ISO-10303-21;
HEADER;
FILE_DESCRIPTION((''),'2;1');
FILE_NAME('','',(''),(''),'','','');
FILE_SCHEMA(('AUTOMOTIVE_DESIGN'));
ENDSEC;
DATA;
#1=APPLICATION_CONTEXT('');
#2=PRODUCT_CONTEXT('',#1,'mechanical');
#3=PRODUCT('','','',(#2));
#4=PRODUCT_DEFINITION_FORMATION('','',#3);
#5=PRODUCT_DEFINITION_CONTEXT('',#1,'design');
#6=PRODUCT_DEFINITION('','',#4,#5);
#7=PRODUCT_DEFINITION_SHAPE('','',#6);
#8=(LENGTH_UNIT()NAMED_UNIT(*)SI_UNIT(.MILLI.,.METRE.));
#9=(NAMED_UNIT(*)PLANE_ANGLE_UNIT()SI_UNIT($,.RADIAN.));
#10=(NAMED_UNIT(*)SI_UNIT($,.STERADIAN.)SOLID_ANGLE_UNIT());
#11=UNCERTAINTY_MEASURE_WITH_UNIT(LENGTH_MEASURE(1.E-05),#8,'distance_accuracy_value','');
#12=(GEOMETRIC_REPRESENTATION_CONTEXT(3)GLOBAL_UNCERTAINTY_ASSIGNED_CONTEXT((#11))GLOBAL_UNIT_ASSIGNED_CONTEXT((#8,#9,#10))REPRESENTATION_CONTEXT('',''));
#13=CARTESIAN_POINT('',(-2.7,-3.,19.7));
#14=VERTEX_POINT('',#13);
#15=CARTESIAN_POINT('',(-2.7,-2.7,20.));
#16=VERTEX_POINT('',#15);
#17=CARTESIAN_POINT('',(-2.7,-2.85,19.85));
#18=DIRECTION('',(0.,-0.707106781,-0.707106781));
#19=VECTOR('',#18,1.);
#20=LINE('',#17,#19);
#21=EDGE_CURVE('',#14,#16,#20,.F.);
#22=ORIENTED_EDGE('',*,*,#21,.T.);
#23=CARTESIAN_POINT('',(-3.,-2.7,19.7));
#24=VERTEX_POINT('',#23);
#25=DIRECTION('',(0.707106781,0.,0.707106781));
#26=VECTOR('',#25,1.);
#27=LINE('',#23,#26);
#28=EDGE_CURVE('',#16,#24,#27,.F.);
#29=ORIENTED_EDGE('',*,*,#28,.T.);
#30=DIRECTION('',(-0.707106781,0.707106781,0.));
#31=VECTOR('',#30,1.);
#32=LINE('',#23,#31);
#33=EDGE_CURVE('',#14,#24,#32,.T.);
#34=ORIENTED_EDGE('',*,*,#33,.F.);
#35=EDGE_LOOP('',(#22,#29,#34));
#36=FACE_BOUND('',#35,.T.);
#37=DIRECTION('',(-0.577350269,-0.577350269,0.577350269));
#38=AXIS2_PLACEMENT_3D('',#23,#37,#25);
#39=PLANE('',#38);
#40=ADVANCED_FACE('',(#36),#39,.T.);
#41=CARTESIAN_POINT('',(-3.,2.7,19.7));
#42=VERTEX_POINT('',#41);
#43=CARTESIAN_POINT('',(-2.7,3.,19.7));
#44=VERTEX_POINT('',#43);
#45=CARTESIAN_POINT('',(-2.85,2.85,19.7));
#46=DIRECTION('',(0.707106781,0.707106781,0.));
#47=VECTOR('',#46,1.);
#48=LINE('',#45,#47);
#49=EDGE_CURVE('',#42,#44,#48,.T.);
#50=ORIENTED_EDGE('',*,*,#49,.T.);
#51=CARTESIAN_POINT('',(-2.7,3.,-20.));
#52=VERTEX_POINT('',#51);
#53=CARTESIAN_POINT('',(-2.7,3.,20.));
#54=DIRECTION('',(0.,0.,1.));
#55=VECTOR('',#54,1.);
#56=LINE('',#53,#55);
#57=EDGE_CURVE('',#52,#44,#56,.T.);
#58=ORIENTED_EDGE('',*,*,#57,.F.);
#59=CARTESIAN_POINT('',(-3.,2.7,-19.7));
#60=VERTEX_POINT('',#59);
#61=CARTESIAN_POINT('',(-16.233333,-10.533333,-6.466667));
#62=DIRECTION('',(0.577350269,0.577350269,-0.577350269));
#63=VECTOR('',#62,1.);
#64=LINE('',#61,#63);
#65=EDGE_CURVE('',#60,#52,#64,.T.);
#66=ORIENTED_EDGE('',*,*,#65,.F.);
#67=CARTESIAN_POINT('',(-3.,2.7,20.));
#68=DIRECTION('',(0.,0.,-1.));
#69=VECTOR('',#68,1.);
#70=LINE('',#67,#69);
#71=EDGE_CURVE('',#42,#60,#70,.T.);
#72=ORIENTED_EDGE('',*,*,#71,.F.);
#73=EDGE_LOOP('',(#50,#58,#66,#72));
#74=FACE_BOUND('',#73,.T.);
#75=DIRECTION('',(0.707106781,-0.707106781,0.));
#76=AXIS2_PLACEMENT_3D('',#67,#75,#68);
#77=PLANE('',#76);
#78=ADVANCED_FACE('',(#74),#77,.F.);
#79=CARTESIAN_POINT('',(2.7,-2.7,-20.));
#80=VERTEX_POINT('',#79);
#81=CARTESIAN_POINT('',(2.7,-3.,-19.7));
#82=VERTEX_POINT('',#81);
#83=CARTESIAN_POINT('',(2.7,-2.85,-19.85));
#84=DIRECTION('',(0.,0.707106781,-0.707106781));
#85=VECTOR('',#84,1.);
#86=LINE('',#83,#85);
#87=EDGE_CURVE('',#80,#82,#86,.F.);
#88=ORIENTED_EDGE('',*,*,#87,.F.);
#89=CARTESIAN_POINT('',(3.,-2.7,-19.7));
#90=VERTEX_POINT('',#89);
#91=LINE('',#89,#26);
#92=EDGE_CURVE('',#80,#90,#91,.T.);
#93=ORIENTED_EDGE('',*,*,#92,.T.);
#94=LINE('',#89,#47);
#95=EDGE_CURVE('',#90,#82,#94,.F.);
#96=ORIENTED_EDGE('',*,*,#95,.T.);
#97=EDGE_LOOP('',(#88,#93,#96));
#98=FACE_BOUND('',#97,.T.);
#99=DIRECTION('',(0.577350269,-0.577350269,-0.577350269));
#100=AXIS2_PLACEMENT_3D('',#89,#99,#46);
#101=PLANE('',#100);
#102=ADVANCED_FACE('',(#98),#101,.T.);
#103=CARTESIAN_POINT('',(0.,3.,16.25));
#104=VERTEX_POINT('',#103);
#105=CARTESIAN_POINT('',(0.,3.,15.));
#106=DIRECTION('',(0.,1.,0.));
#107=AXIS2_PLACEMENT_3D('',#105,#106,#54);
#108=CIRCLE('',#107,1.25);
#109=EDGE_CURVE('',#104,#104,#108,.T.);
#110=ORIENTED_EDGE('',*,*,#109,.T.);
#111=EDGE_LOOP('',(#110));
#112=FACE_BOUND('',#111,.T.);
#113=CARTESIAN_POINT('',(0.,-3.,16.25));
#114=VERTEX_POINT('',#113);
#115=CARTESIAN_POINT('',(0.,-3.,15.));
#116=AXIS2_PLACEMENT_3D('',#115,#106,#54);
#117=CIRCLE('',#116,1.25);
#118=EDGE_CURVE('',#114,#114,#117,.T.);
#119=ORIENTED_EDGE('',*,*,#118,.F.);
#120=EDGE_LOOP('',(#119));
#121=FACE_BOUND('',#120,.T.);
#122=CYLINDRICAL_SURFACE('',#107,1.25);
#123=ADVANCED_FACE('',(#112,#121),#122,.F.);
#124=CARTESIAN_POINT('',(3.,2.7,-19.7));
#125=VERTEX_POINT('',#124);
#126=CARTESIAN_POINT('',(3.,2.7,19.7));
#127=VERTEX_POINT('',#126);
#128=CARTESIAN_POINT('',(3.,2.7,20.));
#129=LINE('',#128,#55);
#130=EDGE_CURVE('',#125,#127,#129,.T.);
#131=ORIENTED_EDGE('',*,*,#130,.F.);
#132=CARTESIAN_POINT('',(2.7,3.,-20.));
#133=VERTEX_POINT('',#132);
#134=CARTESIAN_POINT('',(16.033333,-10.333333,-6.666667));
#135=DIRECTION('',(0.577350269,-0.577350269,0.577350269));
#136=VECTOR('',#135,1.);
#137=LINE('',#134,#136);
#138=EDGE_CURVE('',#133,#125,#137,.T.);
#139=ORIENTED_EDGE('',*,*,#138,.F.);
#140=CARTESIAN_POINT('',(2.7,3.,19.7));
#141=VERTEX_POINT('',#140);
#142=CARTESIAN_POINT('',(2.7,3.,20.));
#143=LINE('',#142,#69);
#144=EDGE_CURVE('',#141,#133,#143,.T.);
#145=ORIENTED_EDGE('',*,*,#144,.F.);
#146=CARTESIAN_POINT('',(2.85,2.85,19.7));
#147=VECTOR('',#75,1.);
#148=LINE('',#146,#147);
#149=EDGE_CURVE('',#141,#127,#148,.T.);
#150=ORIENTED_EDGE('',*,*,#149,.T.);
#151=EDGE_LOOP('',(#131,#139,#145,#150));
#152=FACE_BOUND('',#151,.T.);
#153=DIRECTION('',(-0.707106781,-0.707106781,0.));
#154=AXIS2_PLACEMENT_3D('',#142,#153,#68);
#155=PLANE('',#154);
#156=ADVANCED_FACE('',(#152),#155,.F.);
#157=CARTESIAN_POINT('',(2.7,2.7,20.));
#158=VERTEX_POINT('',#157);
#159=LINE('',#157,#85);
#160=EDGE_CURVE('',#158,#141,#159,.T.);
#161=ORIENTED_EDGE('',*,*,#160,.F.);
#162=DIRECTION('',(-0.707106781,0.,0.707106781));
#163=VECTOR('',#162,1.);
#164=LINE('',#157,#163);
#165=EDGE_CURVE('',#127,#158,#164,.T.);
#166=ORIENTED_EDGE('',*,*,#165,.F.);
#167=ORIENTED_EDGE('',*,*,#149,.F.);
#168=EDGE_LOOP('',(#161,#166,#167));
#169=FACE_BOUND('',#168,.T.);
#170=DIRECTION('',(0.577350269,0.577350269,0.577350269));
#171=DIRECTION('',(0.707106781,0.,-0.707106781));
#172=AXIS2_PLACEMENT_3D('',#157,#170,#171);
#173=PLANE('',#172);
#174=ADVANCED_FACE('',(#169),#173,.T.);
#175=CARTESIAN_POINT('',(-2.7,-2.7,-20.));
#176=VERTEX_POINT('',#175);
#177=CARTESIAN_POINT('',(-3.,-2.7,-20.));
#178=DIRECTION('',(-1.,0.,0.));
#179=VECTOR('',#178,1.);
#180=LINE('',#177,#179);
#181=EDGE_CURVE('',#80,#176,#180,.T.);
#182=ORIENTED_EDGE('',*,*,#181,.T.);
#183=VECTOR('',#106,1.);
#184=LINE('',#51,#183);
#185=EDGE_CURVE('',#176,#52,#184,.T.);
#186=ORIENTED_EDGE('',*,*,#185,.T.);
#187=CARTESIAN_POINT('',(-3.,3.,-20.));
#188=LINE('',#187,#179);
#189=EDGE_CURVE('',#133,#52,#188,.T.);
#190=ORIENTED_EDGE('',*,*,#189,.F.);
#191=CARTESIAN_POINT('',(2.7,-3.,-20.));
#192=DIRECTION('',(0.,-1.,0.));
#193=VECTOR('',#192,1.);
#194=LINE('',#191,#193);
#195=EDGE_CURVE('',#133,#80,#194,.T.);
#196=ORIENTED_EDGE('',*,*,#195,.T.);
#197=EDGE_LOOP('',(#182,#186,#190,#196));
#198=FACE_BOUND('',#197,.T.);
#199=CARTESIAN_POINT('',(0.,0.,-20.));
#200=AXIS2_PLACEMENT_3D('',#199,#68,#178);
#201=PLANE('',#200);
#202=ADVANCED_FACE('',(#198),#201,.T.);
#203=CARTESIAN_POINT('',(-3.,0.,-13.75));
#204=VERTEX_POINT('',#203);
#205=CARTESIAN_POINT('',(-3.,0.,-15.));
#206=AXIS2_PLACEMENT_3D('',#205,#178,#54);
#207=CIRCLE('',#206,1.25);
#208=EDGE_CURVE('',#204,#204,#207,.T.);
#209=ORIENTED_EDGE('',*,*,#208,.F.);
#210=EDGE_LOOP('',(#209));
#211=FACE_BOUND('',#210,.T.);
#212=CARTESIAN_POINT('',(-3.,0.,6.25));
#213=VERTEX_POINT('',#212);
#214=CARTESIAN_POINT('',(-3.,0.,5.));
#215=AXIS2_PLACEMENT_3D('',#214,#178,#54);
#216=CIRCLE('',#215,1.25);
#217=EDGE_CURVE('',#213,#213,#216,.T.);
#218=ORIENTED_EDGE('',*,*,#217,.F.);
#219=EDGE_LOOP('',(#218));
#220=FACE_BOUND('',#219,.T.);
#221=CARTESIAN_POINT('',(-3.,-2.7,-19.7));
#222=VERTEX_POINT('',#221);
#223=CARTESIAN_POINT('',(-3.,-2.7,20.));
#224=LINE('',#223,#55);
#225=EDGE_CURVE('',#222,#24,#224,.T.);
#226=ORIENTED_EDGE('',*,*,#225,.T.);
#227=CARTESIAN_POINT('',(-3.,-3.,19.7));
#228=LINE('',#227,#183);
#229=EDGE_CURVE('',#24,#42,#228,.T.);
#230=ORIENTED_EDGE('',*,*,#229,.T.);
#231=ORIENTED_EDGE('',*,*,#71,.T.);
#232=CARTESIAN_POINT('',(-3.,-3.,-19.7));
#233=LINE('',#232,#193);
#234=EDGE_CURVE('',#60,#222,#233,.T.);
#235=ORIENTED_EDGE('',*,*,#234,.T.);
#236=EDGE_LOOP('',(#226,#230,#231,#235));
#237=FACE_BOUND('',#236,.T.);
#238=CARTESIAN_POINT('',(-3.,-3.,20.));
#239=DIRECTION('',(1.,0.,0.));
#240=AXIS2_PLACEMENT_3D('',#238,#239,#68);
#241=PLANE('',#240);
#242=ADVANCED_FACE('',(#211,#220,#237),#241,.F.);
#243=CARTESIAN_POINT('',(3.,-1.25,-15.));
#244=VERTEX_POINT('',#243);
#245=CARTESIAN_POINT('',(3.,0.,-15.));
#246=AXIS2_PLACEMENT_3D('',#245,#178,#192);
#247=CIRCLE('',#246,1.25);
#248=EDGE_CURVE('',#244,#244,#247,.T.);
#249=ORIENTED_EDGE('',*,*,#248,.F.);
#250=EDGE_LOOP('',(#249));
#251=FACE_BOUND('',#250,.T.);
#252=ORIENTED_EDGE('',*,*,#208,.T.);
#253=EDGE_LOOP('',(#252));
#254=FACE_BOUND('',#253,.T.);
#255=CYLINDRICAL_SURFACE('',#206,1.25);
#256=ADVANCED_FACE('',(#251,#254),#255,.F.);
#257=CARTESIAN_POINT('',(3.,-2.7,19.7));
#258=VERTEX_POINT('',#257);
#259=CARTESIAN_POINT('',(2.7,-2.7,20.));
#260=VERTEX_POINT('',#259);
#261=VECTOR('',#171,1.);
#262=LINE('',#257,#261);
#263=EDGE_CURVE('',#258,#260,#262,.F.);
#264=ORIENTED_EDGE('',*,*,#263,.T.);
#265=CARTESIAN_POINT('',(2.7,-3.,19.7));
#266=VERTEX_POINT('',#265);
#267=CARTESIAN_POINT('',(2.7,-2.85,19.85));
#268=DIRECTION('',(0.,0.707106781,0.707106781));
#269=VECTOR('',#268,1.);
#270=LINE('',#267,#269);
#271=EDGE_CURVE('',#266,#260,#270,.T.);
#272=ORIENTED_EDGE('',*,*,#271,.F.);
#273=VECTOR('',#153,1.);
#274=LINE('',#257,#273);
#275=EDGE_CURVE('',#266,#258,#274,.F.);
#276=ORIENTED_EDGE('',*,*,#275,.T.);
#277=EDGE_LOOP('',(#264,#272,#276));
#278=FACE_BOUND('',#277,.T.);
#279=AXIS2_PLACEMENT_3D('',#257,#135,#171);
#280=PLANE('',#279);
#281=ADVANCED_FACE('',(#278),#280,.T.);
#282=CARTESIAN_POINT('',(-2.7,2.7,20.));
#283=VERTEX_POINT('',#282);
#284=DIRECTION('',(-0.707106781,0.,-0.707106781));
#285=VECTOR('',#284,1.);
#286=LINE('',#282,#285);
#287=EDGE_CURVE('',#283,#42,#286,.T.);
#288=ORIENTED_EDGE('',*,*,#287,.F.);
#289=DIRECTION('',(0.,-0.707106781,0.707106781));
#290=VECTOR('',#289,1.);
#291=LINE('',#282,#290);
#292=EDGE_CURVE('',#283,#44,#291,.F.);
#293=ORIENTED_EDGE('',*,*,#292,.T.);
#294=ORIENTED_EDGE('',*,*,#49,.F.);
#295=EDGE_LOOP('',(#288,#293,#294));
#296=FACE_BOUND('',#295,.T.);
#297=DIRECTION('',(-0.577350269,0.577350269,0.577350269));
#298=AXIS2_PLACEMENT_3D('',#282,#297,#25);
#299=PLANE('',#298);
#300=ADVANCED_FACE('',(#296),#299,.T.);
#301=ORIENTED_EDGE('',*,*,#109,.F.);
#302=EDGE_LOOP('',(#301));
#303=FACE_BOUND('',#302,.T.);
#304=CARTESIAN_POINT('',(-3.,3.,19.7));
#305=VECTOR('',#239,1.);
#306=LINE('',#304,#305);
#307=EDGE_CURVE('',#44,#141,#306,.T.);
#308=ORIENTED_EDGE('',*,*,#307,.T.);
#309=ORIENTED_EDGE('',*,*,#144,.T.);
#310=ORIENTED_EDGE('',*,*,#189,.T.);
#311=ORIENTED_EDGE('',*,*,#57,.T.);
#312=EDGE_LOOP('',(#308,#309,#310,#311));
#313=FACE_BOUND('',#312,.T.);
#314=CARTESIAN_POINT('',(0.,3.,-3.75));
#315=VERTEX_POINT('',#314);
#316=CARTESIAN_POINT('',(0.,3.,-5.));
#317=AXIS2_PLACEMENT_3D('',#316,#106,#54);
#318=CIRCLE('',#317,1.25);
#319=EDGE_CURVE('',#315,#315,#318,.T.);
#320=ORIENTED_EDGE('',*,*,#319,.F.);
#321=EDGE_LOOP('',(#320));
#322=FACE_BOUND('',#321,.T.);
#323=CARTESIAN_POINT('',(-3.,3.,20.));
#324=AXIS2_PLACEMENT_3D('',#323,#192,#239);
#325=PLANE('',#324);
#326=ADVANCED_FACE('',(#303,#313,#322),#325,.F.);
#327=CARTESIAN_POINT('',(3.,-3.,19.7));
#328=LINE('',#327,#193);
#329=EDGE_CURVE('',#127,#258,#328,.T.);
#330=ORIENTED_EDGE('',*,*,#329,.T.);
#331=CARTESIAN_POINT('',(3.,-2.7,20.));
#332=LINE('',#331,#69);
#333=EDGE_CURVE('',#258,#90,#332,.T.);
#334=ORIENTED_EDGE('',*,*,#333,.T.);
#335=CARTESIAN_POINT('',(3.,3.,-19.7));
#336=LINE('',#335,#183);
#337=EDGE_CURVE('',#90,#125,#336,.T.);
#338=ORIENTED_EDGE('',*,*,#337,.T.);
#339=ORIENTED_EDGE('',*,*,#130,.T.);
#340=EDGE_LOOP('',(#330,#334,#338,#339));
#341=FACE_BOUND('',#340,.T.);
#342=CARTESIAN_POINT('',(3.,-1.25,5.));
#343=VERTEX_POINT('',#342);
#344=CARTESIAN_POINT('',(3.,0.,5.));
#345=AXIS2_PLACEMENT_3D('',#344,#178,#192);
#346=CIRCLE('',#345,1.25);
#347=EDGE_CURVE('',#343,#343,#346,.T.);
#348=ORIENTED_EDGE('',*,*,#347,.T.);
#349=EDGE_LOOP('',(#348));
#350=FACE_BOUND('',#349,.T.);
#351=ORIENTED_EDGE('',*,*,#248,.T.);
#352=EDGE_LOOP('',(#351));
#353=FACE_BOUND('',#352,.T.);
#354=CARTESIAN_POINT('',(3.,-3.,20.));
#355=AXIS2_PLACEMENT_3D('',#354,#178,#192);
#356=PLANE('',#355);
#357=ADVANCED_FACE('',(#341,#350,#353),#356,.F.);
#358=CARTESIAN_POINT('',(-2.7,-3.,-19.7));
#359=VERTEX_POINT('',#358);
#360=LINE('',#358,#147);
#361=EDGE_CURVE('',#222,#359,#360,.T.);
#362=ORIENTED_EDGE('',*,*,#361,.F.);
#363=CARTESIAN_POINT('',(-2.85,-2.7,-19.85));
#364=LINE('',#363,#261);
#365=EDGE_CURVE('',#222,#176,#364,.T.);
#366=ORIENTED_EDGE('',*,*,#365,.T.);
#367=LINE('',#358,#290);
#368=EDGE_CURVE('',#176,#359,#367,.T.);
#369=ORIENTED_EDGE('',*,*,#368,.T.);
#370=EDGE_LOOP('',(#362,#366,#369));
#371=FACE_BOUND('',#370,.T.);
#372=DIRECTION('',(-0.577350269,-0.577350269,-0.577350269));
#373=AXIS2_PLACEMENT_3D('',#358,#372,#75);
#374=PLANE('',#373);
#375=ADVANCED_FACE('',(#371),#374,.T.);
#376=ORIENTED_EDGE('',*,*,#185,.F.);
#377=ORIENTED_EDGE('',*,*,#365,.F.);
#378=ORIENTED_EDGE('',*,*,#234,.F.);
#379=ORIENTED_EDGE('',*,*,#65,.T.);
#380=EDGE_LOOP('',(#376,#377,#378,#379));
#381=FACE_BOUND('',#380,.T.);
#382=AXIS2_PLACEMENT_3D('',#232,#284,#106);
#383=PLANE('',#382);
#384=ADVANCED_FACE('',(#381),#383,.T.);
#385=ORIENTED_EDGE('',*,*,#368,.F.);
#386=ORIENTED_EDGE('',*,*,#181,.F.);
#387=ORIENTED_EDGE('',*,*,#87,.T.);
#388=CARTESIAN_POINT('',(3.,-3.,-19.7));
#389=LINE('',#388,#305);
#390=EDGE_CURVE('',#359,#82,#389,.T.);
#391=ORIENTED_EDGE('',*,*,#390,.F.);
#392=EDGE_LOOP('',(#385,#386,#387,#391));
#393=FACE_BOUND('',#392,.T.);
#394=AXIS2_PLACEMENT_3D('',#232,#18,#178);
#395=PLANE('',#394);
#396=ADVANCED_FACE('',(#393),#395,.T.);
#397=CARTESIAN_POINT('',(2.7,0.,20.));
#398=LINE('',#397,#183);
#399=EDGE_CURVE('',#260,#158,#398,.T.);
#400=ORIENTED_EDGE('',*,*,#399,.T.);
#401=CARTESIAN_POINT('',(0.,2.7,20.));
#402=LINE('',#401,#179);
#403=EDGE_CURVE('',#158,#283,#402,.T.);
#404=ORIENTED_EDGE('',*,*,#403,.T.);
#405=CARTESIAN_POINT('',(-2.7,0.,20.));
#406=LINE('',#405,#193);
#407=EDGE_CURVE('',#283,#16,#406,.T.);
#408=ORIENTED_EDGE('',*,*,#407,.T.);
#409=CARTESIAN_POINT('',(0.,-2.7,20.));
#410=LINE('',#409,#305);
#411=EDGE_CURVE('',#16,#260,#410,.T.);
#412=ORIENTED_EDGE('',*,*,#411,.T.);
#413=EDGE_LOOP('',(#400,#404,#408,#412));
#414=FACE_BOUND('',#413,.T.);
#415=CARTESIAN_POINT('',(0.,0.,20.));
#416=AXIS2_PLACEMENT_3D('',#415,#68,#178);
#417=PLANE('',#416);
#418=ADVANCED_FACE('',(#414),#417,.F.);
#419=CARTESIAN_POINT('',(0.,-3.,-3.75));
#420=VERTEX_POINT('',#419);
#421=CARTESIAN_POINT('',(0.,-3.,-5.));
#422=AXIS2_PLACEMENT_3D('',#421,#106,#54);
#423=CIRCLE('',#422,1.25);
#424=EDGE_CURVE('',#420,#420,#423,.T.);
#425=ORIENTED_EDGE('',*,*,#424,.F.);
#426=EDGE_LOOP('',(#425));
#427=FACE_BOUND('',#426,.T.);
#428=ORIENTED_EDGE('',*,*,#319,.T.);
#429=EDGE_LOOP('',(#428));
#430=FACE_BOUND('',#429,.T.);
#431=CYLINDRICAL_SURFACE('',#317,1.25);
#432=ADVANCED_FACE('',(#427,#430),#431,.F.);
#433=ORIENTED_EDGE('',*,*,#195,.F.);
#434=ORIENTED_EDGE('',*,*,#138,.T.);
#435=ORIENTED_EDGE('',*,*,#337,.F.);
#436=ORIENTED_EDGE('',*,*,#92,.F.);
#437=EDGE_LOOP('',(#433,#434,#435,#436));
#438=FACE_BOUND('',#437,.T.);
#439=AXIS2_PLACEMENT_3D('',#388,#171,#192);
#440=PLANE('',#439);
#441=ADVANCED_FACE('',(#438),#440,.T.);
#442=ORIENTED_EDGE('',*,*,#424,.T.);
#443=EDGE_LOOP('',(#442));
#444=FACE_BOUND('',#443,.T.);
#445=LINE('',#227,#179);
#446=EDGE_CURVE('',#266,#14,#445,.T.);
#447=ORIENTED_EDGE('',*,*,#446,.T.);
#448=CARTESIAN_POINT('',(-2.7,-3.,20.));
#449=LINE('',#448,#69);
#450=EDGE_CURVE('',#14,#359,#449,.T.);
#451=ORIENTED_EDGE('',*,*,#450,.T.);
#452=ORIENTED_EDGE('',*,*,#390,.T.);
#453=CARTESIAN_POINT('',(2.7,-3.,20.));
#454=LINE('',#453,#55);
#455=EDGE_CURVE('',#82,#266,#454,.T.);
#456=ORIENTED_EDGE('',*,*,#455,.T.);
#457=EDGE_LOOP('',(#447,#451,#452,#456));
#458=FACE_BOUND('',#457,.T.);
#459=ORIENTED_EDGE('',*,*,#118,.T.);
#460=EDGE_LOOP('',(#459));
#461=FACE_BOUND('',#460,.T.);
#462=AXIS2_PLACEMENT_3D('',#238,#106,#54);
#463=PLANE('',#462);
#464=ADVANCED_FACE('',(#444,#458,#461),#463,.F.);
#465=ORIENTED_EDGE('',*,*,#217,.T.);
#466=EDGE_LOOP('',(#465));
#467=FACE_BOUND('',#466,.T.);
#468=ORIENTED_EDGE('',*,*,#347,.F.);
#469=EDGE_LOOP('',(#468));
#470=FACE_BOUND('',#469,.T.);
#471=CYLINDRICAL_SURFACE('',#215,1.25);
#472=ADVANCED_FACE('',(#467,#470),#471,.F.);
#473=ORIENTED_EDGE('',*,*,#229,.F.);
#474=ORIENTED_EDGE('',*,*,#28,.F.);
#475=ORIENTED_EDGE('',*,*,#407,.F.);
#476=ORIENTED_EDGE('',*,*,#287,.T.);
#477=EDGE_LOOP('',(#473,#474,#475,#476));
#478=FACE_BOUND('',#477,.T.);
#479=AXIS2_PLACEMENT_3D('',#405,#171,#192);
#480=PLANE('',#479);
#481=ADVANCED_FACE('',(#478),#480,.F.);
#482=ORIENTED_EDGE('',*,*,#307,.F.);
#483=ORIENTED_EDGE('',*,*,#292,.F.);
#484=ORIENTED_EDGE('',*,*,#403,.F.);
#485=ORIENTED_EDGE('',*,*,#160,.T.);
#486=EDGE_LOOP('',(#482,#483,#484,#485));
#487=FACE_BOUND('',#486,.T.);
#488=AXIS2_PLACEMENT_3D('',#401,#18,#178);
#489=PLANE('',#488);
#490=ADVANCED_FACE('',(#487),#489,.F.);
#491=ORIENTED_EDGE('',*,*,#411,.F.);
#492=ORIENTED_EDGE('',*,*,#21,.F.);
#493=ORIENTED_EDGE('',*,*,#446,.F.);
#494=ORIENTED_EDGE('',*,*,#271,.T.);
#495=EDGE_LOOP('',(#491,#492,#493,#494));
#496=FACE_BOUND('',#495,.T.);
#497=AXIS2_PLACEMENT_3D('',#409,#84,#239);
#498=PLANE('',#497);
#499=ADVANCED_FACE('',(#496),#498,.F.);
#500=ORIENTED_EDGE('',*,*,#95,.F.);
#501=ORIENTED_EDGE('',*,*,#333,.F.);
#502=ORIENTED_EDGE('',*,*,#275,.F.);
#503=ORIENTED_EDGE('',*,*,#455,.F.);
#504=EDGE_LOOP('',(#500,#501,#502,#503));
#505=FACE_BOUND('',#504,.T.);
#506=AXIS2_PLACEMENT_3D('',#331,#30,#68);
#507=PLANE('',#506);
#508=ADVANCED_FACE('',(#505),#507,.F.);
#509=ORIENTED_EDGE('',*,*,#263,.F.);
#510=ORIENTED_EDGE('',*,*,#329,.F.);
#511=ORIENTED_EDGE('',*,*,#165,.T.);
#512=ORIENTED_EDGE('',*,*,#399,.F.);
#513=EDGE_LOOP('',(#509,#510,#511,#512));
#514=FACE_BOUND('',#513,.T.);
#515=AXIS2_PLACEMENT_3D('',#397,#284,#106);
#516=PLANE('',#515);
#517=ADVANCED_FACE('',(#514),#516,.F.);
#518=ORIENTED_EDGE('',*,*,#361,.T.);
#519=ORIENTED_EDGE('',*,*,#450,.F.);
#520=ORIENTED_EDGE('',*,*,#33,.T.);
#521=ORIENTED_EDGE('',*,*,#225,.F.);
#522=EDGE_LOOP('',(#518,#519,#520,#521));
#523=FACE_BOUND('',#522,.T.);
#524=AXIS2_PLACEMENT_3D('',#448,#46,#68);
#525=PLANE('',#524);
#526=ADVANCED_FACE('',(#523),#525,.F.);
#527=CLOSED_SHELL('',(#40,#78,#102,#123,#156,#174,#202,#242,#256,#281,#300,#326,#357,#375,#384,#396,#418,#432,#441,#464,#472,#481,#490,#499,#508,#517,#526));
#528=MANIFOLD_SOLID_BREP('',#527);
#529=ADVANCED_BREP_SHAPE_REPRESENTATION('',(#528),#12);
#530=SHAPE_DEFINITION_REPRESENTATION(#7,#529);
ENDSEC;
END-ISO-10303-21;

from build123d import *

# Parameters (mm, degrees)
SKETCH_1_W          = 6
SKETCH_1_H          = 6
EXTRUDE_1_DEPTH     = 20
HOLE_WIZARD_1_D     = 2.5
HOLE_WIZARD_1_DEPTH = 6
HOLE_WIZARD_2_D     = 2.5
HOLE_WIZARD_2_DEPTH = 6
CHAMFER_1_SIZE      = 0.3


with BuildPart() as part:
    # 草图1 → 凸台-拉伸1 (new body, symmetric)
    with BuildSketch(Plane.XY):
        Rectangle(SKETCH_1_W, SKETCH_1_H)
    extrude(amount=EXTRUDE_1_DEPTH, both=True)

    # Hole Wizard 1
    with Locations(Plane.ZY.offset(3)):
        with Locations((-15, 0), (5, 0)):
            Hole(HOLE_WIZARD_1_D / 2, depth=HOLE_WIZARD_1_DEPTH)

    # Hole Wizard 2
    with Locations(Plane(origin=(0, 3, 0), x_dir=(1, 0, 0), z_dir=(0, 1, 0))):
        with Locations((0, 5), (0, -15)):
            Hole(HOLE_WIZARD_2_D / 2, depth=HOLE_WIZARD_2_DEPTH)

    # 倒角1
    chamfer_1_edges = [part.edges().sort_by_distance(p)[0] for p in [
        (-3, 0, 20),
        (0, -3, 20),
        (3, 0, 20),
        (0, -3, -20),
        (-3, 0, -20),
        (3, 0, -20),
        (3, -3, 0),
        (-3, -3, 0),
        (-3, 3, 0),
        (3, 3, 0),
        (0, 3, 20),
    ]]
    chamfer(chamfer_1_edges, length=CHAMFER_1_SIZE)


solid = part.part
